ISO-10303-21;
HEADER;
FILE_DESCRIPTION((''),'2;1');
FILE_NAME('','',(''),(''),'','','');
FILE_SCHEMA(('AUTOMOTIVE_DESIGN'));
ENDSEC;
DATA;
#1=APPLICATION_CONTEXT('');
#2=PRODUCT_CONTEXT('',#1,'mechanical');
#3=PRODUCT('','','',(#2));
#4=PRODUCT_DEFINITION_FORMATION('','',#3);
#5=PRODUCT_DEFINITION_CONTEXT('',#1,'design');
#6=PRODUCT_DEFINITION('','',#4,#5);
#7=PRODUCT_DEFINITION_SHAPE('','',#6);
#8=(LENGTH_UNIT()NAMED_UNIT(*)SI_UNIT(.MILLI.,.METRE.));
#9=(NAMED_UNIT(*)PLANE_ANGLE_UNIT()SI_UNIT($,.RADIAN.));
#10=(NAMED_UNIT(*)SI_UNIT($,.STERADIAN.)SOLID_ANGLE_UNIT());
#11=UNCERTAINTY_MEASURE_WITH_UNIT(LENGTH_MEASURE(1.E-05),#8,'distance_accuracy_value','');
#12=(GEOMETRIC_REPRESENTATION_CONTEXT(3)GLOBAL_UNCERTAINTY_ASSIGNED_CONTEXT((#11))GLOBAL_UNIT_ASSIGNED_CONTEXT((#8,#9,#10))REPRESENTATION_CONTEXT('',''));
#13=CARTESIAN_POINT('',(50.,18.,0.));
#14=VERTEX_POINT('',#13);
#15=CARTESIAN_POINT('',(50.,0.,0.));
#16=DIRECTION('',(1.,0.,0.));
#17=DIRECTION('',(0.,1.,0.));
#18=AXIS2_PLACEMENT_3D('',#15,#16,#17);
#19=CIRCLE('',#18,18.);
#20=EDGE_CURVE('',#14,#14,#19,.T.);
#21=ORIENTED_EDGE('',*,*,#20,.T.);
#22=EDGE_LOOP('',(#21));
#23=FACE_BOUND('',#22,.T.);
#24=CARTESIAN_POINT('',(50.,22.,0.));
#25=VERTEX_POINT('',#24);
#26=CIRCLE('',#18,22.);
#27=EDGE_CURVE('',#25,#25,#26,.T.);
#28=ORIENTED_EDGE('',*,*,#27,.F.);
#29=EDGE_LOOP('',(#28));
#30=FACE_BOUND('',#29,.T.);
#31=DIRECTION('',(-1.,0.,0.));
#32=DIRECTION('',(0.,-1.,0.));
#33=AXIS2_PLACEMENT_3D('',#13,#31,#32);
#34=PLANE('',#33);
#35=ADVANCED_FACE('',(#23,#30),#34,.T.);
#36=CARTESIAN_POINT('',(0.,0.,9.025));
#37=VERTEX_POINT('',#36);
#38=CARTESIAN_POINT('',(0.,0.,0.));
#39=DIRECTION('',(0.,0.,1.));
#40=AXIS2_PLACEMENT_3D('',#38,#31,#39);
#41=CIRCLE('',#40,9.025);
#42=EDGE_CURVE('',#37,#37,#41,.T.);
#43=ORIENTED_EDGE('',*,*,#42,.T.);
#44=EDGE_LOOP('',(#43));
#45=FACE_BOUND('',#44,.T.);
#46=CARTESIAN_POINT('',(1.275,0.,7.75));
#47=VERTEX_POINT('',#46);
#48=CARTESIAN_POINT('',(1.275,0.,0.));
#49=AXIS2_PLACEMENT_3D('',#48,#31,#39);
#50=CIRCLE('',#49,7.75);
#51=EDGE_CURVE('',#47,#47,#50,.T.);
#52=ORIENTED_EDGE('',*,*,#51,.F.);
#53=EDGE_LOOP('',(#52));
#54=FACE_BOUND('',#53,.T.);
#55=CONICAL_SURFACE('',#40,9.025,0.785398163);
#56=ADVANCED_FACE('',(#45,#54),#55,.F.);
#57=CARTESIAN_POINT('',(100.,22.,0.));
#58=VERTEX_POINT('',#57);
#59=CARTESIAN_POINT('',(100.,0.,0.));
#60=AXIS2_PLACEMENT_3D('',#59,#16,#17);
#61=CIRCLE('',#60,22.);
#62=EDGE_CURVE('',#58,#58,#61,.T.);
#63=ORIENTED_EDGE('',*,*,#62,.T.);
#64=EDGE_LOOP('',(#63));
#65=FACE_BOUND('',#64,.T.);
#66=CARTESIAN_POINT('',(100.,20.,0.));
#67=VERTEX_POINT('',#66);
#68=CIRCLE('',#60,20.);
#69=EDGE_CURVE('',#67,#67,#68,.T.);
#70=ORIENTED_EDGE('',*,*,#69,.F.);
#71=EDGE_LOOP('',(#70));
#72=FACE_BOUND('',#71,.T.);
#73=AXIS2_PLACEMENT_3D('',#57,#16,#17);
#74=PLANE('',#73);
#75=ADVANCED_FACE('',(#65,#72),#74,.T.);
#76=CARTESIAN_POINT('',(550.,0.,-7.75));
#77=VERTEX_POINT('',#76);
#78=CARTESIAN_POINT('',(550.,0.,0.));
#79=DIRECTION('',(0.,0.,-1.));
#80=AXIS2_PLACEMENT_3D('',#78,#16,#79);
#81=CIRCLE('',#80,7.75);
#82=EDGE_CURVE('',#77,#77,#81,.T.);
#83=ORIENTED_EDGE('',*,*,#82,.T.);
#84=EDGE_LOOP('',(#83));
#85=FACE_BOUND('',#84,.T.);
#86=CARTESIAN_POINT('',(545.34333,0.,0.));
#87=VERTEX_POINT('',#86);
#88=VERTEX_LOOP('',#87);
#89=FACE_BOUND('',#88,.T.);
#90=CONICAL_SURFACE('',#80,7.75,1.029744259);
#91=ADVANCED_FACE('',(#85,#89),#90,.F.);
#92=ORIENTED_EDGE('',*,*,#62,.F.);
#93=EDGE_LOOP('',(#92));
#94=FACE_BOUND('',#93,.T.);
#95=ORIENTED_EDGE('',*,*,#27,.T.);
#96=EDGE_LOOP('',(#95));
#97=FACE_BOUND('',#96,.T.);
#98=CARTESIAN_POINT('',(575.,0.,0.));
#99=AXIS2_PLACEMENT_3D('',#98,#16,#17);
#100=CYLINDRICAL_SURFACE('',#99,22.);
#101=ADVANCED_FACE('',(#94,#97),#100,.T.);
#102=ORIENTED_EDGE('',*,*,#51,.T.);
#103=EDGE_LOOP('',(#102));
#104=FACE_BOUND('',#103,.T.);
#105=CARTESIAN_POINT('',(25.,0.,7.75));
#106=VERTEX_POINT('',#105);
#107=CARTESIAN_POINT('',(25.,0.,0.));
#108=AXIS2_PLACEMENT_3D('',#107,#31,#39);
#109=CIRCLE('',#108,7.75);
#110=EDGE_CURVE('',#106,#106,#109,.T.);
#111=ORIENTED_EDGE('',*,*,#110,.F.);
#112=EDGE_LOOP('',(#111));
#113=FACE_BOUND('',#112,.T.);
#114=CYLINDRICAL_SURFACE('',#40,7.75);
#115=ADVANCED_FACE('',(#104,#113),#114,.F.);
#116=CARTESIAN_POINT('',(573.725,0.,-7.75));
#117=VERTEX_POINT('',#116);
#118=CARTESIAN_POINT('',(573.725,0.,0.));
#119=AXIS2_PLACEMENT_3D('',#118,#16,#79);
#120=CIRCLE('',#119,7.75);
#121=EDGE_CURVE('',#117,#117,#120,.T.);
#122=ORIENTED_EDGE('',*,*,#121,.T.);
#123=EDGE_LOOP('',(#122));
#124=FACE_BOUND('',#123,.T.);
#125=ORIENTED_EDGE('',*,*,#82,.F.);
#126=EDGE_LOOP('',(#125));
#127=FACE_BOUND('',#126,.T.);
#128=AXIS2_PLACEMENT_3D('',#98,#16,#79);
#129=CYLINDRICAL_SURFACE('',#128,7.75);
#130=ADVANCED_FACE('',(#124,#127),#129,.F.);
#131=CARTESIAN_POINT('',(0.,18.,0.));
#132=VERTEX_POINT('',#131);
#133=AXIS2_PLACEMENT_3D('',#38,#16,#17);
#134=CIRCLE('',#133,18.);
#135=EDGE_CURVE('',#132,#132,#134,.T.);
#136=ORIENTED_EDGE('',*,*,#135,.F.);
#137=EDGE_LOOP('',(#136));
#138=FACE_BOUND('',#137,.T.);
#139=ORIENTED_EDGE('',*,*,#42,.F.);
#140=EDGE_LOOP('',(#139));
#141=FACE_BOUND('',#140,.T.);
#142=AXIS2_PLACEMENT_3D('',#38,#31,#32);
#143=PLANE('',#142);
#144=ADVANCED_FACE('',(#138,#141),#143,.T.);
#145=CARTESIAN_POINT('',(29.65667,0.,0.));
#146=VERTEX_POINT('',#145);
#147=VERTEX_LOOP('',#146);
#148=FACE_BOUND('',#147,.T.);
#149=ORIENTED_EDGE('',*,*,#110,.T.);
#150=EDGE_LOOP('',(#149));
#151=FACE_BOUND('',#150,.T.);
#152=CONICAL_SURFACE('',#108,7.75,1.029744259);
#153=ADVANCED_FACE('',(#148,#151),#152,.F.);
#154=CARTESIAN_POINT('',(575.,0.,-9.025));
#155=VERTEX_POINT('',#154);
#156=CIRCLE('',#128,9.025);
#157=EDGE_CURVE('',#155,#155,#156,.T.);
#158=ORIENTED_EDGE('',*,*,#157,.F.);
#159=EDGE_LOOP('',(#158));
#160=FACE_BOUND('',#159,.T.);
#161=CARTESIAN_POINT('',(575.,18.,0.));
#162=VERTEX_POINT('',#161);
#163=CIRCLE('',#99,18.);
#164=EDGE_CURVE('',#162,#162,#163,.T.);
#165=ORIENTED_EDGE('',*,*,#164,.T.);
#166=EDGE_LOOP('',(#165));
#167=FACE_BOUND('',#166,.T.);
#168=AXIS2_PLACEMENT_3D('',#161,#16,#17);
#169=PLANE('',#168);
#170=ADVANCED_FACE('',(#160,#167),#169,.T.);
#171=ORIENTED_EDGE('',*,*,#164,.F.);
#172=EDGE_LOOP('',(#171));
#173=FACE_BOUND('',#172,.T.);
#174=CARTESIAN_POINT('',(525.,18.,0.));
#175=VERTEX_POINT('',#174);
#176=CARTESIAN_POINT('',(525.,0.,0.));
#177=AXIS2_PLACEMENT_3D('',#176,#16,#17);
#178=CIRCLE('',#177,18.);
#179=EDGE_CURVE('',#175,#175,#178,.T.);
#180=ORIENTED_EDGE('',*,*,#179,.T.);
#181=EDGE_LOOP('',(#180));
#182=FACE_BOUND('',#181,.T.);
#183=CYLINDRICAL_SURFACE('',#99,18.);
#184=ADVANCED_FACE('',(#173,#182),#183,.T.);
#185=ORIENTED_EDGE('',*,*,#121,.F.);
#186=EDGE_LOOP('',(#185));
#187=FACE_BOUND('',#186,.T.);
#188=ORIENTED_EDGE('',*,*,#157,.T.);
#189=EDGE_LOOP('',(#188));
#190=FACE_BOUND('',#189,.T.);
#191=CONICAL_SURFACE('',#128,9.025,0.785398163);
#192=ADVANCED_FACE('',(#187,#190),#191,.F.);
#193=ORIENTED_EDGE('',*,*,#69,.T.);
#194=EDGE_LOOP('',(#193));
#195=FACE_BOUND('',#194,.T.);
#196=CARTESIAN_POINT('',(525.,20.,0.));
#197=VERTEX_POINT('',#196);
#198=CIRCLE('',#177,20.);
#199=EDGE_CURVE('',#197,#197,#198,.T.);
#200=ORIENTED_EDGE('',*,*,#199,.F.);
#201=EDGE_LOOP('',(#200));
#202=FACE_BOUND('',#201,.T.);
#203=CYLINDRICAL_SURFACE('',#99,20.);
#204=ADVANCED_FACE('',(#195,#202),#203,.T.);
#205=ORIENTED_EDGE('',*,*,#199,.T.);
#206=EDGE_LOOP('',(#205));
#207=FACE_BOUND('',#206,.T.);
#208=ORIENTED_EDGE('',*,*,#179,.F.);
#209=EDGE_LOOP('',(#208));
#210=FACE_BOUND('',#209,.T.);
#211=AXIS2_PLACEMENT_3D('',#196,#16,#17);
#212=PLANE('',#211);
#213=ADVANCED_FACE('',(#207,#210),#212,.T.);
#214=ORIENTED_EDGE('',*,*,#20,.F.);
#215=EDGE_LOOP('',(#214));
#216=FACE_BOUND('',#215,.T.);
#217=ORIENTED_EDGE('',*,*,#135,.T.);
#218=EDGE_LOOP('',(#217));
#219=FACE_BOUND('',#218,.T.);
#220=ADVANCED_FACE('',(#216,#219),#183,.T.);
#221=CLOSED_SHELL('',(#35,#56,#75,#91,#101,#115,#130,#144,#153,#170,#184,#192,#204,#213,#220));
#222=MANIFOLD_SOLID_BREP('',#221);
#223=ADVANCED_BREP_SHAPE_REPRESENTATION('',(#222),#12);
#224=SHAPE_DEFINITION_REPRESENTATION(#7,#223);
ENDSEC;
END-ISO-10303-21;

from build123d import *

# Parameters (mm, degrees)
FURO_ROSCADO_DE_M181_D                     = 15.5
FURO_ROSCADO_DE_M181_DEPTH                 = 25
FURO_ROSCADO_DE_M181_CSINK_D               = 18.05
FURO_ROSCADO_DE_M181_CSINK_ANGLE           = 90
FURO_ROSCADO_DE_M181_TIP                   = 4.656669797
FURO_ROSCADO_DE_M181_ON_FACE_2_D           = 15.5
FURO_ROSCADO_DE_M181_ON_FACE_2_DEPTH       = 25
FURO_ROSCADO_DE_M181_ON_FACE_2_CSINK_D     = 18.05
FURO_ROSCADO_DE_M181_ON_FACE_2_CSINK_ANGLE = 90
FURO_ROSCADO_DE_M181_ON_FACE_2_TIP         = 4.656669797


with BuildPart() as part:
    # Esboço1 → Revolução1 (revolve)
    with BuildSketch(Plane.XY):
        Polygon((0, 0), (0, 18), (50, 18), (50, 22), (100, 22), (100, 20), (525, 20), (525, 18), (575, 18), (575, 0), align=None)
    revolve(axis=Axis((575, 0, 0), (-1, 0, 0)))

    # Furo roscado de M181
    with Locations(Plane(origin=(0, 0, 0), x_dir=(0, -1, 0), z_dir=(-1, 0, 0))):
        with Locations((0, 0)):
            CounterSinkHole(FURO_ROSCADO_DE_M181_D / 2, FURO_ROSCADO_DE_M181_CSINK_D / 2, depth=FURO_ROSCADO_DE_M181_DEPTH, counter_sink_angle=FURO_ROSCADO_DE_M181_CSINK_ANGLE)
            with Locations((0, 0, -(FURO_ROSCADO_DE_M181_DEPTH + FURO_ROSCADO_DE_M181_TIP / 2))):  # 118° drill point
                Cone(0, FURO_ROSCADO_DE_M181_D / 2, FURO_ROSCADO_DE_M181_TIP, mode=Mode.SUBTRACT)

    # Furo roscado de M181 on face 2
    with Locations(Plane(origin=(575, 0, 0), x_dir=(0, 0, 1), z_dir=(1, 0, 0))):
        with Locations((0, 0)):
            CounterSinkHole(FURO_ROSCADO_DE_M181_ON_FACE_2_D / 2, FURO_ROSCADO_DE_M181_ON_FACE_2_CSINK_D / 2, depth=FURO_ROSCADO_DE_M181_ON_FACE_2_DEPTH, counter_sink_angle=FURO_ROSCADO_DE_M181_ON_FACE_2_CSINK_ANGLE)
            with Locations((0, 0, -(FURO_ROSCADO_DE_M181_ON_FACE_2_DEPTH + FURO_ROSCADO_DE_M181_ON_FACE_2_TIP / 2))):  # 118° drill point
                Cone(0, FURO_ROSCADO_DE_M181_ON_FACE_2_D / 2, FURO_ROSCADO_DE_M181_ON_FACE_2_TIP, mode=Mode.SUBTRACT)


solid = part.part
